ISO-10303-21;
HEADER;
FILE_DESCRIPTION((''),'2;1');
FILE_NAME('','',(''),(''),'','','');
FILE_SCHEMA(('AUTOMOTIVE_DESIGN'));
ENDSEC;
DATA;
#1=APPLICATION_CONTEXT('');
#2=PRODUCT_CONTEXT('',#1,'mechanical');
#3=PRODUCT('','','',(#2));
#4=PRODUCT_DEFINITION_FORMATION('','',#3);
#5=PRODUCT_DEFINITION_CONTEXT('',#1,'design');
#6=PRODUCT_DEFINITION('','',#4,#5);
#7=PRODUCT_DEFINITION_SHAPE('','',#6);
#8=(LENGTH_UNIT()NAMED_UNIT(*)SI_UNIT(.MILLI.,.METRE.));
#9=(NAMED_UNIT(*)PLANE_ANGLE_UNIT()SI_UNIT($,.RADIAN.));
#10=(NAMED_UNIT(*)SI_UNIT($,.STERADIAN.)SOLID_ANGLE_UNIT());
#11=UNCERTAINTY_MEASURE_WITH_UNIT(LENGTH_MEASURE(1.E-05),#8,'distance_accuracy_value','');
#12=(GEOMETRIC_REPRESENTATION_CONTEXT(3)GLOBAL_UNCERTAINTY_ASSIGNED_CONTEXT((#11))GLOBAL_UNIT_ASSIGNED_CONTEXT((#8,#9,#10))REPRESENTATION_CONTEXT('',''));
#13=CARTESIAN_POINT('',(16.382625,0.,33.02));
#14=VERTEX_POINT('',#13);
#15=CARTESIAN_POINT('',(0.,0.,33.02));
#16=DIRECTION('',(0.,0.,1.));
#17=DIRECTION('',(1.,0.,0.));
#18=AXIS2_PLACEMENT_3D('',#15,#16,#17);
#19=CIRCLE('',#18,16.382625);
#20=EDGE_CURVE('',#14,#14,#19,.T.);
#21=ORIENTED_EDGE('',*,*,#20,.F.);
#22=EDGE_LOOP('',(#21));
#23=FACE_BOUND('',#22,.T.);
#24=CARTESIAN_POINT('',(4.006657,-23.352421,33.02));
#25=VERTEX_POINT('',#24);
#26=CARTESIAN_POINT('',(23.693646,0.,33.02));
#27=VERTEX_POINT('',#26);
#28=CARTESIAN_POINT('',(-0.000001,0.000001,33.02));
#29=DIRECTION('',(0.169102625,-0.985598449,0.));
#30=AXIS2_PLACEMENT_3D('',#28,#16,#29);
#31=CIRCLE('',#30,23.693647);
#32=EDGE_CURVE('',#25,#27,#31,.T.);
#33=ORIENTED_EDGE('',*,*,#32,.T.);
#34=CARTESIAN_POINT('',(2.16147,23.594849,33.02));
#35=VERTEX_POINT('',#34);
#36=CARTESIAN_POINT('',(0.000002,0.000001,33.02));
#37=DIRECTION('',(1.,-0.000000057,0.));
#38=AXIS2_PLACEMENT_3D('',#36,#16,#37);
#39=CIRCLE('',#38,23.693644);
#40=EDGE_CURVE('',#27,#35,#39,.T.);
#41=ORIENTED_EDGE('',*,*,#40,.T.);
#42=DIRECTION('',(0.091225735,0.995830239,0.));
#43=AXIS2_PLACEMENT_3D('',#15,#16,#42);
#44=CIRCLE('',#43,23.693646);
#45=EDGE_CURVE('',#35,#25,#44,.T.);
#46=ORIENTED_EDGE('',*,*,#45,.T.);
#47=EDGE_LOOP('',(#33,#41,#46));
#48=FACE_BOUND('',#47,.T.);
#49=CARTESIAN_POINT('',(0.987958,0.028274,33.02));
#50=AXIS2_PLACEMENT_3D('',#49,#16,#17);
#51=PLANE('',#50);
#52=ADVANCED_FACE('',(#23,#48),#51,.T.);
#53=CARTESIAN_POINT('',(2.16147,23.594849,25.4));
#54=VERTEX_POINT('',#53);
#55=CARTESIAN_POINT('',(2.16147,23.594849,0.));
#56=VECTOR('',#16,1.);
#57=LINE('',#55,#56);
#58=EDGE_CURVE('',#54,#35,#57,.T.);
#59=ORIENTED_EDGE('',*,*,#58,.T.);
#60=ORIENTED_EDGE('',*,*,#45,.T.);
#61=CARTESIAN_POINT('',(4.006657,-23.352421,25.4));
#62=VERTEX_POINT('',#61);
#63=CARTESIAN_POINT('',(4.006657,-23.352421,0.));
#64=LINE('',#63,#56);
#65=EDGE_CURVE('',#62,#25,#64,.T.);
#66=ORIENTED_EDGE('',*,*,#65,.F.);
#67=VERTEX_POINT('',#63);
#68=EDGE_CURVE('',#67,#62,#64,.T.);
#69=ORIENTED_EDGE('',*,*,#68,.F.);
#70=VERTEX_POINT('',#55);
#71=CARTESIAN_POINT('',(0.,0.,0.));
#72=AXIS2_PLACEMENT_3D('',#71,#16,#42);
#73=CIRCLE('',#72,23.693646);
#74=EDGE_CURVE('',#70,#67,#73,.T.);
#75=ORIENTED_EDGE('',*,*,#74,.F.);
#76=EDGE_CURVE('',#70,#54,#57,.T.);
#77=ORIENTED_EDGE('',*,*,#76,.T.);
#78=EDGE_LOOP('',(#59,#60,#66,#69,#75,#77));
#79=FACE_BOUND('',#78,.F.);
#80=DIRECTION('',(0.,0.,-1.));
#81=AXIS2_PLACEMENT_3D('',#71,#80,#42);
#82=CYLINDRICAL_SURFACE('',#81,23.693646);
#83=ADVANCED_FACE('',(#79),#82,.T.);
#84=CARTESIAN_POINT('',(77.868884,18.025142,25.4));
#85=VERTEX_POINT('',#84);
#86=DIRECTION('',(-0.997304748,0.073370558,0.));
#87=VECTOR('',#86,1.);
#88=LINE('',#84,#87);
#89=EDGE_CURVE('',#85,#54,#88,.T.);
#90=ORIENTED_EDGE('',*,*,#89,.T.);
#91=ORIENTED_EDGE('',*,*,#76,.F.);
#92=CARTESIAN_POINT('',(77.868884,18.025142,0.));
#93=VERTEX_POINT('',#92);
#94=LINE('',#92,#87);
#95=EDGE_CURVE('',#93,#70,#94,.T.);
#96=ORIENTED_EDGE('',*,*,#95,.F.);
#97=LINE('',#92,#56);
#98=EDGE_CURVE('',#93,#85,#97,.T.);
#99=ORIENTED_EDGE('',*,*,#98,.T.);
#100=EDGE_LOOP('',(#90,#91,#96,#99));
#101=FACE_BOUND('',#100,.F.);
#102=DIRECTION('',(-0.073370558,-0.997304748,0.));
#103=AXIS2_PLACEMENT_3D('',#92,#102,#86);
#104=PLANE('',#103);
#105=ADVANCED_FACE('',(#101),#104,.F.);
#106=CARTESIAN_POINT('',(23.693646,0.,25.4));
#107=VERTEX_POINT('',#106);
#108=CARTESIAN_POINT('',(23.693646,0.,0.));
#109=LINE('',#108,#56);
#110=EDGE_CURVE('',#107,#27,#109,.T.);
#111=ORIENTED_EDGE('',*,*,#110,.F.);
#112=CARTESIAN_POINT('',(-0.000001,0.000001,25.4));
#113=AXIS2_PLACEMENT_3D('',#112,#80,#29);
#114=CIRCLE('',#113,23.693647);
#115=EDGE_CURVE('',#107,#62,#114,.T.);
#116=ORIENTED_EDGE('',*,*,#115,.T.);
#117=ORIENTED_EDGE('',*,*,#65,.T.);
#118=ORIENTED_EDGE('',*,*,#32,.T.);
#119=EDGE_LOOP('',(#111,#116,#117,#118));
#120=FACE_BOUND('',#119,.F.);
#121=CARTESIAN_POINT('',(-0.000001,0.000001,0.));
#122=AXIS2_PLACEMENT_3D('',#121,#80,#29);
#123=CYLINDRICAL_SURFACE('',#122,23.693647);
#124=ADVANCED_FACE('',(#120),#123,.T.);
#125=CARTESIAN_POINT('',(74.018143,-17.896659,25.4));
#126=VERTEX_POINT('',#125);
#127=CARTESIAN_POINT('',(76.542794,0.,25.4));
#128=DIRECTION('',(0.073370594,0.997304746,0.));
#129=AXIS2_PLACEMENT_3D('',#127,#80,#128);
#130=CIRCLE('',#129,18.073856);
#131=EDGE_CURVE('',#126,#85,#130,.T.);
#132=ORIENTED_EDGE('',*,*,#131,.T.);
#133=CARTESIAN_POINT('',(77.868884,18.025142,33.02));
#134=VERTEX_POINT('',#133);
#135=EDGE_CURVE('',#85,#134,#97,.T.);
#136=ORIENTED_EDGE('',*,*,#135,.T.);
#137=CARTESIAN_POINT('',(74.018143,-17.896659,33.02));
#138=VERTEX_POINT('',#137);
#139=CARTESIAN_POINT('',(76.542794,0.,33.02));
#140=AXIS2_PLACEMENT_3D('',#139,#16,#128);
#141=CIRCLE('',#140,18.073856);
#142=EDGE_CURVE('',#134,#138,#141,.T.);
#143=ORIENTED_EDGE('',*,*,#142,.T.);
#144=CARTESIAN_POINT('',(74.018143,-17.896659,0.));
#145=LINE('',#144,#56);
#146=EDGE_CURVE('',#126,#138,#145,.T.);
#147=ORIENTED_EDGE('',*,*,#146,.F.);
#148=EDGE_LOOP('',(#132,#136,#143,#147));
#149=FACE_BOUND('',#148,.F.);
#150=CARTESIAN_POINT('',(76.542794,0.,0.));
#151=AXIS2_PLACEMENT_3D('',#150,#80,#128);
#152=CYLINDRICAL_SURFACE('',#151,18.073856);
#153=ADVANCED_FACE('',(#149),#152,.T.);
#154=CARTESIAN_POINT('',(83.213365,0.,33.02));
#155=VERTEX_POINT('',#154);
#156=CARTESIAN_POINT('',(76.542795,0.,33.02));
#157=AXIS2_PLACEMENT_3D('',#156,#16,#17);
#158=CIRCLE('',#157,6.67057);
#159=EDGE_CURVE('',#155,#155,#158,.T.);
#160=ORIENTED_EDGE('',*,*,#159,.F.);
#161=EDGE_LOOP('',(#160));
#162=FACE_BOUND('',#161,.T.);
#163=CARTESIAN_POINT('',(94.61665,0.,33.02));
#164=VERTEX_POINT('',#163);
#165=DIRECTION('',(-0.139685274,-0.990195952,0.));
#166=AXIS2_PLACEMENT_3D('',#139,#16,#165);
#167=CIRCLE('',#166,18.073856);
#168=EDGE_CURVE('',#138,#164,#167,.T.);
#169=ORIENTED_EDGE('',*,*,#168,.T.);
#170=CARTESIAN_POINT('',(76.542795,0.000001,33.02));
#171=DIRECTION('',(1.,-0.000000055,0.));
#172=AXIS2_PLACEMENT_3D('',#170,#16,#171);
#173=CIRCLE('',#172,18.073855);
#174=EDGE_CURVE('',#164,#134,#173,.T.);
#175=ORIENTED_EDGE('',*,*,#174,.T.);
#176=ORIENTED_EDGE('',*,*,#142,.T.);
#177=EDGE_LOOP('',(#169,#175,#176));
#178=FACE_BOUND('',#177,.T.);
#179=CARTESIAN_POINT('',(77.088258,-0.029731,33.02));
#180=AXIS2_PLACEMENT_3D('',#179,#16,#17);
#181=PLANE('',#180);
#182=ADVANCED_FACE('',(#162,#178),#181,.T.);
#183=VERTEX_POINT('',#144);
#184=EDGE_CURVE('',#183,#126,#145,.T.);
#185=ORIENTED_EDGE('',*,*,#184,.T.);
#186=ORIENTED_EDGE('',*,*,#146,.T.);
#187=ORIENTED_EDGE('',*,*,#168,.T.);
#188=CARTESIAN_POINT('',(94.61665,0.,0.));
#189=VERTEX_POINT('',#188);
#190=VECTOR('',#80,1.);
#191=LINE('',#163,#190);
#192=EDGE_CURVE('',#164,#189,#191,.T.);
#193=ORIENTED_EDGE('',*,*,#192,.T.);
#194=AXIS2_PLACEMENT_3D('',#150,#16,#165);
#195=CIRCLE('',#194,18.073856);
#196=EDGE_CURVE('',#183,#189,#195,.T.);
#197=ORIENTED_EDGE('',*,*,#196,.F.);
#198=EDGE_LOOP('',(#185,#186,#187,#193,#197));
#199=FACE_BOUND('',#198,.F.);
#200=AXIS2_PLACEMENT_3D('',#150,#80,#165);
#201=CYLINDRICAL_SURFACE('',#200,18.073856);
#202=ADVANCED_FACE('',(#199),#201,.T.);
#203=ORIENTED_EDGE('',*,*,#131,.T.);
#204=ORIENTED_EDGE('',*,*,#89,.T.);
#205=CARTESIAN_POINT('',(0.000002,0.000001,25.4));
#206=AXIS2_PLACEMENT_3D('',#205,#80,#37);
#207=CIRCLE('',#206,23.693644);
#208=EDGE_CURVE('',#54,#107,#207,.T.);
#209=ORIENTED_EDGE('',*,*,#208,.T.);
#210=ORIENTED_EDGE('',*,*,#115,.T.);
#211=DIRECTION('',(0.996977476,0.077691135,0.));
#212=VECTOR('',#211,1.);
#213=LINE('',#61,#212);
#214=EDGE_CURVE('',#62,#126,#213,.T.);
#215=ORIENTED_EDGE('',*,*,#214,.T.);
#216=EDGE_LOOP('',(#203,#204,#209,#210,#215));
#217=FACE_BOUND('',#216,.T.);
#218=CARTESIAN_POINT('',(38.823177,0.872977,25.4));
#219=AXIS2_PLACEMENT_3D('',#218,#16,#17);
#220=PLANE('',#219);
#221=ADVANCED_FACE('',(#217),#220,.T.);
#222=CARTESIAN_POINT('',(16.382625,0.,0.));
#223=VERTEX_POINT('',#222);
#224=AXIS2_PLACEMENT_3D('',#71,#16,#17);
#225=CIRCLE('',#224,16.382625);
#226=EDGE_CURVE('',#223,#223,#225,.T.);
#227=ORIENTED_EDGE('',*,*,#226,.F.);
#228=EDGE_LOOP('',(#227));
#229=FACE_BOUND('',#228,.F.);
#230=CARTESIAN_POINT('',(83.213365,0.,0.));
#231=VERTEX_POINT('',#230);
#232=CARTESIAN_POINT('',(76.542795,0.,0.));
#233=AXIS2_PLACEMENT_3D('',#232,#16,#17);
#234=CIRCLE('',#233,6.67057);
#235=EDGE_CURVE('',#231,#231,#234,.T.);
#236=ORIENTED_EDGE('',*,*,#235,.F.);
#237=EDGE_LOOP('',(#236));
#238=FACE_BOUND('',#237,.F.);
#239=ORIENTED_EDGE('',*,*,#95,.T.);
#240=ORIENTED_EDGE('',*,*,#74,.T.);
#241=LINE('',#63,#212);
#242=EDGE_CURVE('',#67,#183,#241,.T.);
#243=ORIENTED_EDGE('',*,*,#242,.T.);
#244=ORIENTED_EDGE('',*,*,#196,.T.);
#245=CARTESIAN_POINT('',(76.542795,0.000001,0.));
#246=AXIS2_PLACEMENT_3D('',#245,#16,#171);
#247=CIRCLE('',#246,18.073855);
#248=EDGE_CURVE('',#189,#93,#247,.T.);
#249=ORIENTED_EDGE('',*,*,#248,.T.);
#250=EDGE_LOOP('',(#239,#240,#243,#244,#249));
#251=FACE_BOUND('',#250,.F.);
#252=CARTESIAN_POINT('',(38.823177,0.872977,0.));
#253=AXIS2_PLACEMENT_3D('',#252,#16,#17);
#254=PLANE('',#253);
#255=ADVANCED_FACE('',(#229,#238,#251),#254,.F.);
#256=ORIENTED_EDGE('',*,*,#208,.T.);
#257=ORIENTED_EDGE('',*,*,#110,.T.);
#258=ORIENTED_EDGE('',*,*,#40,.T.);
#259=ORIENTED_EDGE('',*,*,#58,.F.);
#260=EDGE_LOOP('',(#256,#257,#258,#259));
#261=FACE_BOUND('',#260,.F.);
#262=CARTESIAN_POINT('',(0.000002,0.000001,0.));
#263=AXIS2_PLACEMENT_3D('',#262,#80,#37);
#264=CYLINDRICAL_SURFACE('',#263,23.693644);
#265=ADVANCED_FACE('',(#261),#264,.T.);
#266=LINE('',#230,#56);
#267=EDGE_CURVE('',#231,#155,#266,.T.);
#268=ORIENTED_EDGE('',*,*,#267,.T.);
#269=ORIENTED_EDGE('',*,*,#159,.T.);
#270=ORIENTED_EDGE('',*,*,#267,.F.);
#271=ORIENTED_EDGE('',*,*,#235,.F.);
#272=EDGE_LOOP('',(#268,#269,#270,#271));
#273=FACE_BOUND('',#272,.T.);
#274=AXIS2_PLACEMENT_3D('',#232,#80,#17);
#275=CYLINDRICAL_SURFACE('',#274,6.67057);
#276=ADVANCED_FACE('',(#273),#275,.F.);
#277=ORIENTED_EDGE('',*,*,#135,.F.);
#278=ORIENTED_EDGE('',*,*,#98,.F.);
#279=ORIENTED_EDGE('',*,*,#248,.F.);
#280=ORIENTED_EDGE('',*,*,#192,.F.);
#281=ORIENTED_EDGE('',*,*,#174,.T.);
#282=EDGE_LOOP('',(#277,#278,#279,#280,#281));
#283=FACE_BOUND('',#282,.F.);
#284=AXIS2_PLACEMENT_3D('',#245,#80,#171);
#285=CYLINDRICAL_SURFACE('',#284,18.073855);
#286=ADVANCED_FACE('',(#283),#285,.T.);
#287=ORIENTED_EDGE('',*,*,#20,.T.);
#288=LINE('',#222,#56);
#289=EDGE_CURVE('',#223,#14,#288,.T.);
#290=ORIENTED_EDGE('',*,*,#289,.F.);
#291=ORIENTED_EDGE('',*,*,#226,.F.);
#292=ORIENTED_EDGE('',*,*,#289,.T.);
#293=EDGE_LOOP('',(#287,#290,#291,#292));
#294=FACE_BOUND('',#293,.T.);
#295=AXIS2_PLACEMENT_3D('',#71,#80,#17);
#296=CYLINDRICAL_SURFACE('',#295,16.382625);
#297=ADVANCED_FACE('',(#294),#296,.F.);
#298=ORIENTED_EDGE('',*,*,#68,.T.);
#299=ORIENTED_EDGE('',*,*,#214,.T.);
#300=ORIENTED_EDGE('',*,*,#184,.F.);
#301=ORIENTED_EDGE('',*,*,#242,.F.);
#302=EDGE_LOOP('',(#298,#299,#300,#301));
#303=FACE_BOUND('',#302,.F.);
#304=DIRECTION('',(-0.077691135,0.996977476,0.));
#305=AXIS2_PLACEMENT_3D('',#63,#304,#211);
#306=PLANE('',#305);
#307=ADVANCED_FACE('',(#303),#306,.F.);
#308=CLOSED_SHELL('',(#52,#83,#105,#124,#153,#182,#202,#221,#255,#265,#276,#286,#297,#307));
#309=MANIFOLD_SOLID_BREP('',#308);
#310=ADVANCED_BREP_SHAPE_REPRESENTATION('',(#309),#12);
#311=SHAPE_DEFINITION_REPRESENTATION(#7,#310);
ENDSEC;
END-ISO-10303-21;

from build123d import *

# Parameters (mm, degrees)
F0_R     = 6.67057
F0_R_2   = 16.382625
F1_DEPTH = 25.4
F2_DEPTH = 33.02
F3_DEPTH = 33.02


with BuildPart() as f1:
    # F0 (on Top) → F1 (new body)
    with BuildSketch(Plane.XY):
        with BuildLine():
            ThreePointArc((2.16147, 23.594849), (17.501457, 15.971471), (23.693646, 0))
            ThreePointArc((23.693646, 0), (18.115203, -15.271813), (4.006657, -23.352421))
            Line((4.006657, -23.352421), (74.018143, -17.896659))
            ThreePointArc((74.018143, -17.896659), (58.571899, 1.926442), (77.868884, 18.025142))
            Line((77.868884, 18.025142), (2.16147, 23.594849))
        make_face()
        with BuildLine():
            ThreePointArc((94.61665, 0), (89.783486, 12.302372), (77.868884, 18.025142))
            ThreePointArc((77.868884, 18.025142), (58.571899, 1.926442), (74.018143, -17.896659))
            ThreePointArc((74.018143, -17.896659), (88.396783, -13.643578), (94.61665, 0))
        make_face()
        with Locations((76.542795, 0)):
            Circle(F0_R, mode=Mode.SUBTRACT)
        with BuildLine():
            ThreePointArc((4.006657, -23.352421), (18.115203, -15.271813), (23.693646, 0))
            ThreePointArc((23.693646, 0), (17.501457, 15.971471), (2.16147, 23.594849))
            ThreePointArc((2.16147, 23.594849), (-23.675367, -0.930522), (4.006657, -23.352421))
        make_face()
        Circle(F0_R_2, mode=Mode.SUBTRACT)
    extrude(amount=F1_DEPTH)

    # F0 (on Top) → F2 (join)
    with BuildSketch(Plane.XY):
        with BuildLine():
            ThreePointArc((4.006657, -23.352421), (18.115203, -15.271813), (23.693646, 0))
            ThreePointArc((23.693646, 0), (17.501457, 15.971471), (2.16147, 23.594849))
            ThreePointArc((2.16147, 23.594849), (-23.675367, -0.930522), (4.006657, -23.352421))
        make_face()
        Circle(F0_R_2, mode=Mode.SUBTRACT)
    extrude(amount=F2_DEPTH)

    # F0 (on Top) → F3 (join)
    with BuildSketch(Plane.XY):
        with BuildLine():
            ThreePointArc((94.61665, 0), (89.783486, 12.302372), (77.868884, 18.025142))
            ThreePointArc((77.868884, 18.025142), (58.571899, 1.926442), (74.018143, -17.896659))
            ThreePointArc((74.018143, -17.896659), (88.396783, -13.643578), (94.61665, 0))
        make_face()
        with Locations((76.542795, 0)):
            Circle(F0_R, mode=Mode.SUBTRACT)
    extrude(amount=F3_DEPTH)


solid = f1.part
